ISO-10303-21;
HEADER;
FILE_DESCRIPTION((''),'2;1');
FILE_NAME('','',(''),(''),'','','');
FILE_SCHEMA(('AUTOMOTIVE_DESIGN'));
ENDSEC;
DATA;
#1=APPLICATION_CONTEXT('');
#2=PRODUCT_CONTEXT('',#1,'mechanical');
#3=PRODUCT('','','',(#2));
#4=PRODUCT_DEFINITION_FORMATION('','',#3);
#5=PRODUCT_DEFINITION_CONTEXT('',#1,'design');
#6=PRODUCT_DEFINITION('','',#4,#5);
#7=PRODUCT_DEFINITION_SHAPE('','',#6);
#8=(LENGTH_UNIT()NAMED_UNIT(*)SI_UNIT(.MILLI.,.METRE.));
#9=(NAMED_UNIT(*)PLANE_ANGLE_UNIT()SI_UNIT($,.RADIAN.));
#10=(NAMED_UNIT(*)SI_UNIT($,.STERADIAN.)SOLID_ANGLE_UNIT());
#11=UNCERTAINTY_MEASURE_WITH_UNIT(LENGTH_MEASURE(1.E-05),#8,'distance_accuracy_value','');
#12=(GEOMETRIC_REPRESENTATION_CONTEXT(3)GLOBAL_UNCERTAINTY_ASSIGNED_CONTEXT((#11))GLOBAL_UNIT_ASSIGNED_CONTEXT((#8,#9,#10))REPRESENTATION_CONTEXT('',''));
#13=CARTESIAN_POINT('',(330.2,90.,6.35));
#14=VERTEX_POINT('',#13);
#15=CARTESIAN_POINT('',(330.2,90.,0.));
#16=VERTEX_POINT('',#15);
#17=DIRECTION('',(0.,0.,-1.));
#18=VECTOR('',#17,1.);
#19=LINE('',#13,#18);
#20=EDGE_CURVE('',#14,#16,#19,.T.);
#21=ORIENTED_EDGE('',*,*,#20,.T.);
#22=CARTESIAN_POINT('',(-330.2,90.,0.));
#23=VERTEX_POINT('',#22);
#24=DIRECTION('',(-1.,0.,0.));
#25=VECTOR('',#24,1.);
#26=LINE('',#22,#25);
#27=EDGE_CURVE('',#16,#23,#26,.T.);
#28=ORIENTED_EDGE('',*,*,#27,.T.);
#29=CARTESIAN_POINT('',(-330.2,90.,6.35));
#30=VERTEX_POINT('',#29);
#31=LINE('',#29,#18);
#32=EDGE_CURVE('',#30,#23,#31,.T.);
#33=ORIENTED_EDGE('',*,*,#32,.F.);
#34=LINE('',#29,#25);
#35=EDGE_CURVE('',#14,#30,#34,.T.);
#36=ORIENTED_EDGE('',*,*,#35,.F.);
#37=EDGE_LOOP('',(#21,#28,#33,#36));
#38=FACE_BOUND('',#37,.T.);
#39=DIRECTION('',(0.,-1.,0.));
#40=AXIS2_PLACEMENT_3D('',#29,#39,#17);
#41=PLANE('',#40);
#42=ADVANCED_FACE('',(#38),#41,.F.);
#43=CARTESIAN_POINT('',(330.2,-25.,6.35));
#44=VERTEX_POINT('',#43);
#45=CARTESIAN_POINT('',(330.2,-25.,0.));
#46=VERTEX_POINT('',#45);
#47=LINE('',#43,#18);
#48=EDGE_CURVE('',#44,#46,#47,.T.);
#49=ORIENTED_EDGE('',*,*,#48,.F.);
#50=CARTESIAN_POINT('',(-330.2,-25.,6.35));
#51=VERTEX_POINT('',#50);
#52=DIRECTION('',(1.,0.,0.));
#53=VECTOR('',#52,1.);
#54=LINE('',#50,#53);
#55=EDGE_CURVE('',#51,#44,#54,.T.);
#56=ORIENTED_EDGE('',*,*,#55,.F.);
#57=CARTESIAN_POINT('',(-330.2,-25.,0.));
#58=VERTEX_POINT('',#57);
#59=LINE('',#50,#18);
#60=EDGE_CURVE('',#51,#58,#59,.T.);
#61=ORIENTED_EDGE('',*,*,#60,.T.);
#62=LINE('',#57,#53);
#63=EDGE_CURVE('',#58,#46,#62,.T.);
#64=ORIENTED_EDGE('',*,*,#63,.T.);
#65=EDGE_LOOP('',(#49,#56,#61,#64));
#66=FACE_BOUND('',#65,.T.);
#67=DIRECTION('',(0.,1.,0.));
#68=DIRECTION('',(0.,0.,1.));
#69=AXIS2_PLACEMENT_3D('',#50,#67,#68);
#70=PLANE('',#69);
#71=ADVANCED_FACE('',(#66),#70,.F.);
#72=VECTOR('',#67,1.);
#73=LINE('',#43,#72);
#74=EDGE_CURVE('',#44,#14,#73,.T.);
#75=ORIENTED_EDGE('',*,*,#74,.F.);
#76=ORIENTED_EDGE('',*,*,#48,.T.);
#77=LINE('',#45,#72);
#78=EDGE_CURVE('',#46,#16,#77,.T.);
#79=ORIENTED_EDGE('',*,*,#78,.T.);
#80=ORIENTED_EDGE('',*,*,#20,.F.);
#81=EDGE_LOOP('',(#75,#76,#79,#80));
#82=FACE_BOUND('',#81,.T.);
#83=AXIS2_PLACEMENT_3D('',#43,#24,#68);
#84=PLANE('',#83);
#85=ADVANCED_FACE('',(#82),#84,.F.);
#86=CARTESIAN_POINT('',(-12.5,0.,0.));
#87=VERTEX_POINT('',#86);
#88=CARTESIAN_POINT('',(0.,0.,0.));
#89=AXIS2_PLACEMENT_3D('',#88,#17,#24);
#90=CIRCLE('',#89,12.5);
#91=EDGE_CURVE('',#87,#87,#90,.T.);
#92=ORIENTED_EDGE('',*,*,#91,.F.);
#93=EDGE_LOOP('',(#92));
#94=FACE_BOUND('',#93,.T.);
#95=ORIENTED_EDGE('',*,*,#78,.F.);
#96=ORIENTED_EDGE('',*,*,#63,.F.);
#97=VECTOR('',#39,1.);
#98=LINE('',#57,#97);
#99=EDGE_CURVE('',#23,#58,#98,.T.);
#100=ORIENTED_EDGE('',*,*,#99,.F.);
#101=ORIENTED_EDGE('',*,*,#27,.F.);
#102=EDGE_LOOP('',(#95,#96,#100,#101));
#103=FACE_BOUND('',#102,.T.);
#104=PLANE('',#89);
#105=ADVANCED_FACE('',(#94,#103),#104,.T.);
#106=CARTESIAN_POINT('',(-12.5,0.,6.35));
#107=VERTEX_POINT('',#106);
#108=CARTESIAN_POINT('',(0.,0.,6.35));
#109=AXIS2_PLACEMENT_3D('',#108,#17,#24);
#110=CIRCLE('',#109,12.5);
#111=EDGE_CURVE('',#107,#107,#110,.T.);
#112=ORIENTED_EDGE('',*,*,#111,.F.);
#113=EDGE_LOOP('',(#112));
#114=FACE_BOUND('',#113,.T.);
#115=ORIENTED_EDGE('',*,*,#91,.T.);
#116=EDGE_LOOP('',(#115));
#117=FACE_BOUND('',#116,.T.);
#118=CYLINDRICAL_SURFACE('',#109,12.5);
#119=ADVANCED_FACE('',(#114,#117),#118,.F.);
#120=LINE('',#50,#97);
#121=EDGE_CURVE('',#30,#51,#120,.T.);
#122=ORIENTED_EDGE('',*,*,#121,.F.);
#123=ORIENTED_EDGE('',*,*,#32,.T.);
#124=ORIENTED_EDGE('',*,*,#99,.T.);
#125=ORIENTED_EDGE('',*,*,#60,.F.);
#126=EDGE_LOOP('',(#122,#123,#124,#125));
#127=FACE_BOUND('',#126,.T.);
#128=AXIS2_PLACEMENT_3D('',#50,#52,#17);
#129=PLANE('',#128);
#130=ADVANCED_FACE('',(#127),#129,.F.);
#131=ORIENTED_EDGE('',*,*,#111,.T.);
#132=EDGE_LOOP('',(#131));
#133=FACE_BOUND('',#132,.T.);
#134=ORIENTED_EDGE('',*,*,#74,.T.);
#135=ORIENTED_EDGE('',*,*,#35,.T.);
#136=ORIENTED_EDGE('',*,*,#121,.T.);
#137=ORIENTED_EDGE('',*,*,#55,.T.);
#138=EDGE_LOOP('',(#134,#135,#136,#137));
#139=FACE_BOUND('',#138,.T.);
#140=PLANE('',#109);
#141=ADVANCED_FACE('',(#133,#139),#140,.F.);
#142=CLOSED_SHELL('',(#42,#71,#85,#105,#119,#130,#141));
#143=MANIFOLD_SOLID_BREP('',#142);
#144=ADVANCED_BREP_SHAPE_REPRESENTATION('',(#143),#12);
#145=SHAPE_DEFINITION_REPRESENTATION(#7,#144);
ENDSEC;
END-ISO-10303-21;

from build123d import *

# Parameters (mm, degrees)
SKETCH1_W           = 660.4
SKETCH1_H           = 115
BOSS_EXTRUDE1_DEPTH = 6.35
SKETCH2_R           = 12.5
CUT_EXTRUDE1_DEPTH  = 343.304487993


with BuildPart() as part:
    # Sketch1 → Boss-Extrude1 (new body)
    with BuildSketch(Plane.XY):
        with Locations((0, 32.5)):
            Rectangle(SKETCH1_W, SKETCH1_H)
    extrude(amount=BOSS_EXTRUDE1_DEPTH)

    # Sketch2 → Cut-Extrude1 (cut, through all)
    with BuildSketch(Plane(origin=(0, 0, 0), x_dir=(-1, 0, 0), z_dir=(0, 0, -1))):
        Circle(SKETCH2_R)
    extrude(amount=-CUT_EXTRUDE1_DEPTH, mode=Mode.SUBTRACT)


solid = part.part
